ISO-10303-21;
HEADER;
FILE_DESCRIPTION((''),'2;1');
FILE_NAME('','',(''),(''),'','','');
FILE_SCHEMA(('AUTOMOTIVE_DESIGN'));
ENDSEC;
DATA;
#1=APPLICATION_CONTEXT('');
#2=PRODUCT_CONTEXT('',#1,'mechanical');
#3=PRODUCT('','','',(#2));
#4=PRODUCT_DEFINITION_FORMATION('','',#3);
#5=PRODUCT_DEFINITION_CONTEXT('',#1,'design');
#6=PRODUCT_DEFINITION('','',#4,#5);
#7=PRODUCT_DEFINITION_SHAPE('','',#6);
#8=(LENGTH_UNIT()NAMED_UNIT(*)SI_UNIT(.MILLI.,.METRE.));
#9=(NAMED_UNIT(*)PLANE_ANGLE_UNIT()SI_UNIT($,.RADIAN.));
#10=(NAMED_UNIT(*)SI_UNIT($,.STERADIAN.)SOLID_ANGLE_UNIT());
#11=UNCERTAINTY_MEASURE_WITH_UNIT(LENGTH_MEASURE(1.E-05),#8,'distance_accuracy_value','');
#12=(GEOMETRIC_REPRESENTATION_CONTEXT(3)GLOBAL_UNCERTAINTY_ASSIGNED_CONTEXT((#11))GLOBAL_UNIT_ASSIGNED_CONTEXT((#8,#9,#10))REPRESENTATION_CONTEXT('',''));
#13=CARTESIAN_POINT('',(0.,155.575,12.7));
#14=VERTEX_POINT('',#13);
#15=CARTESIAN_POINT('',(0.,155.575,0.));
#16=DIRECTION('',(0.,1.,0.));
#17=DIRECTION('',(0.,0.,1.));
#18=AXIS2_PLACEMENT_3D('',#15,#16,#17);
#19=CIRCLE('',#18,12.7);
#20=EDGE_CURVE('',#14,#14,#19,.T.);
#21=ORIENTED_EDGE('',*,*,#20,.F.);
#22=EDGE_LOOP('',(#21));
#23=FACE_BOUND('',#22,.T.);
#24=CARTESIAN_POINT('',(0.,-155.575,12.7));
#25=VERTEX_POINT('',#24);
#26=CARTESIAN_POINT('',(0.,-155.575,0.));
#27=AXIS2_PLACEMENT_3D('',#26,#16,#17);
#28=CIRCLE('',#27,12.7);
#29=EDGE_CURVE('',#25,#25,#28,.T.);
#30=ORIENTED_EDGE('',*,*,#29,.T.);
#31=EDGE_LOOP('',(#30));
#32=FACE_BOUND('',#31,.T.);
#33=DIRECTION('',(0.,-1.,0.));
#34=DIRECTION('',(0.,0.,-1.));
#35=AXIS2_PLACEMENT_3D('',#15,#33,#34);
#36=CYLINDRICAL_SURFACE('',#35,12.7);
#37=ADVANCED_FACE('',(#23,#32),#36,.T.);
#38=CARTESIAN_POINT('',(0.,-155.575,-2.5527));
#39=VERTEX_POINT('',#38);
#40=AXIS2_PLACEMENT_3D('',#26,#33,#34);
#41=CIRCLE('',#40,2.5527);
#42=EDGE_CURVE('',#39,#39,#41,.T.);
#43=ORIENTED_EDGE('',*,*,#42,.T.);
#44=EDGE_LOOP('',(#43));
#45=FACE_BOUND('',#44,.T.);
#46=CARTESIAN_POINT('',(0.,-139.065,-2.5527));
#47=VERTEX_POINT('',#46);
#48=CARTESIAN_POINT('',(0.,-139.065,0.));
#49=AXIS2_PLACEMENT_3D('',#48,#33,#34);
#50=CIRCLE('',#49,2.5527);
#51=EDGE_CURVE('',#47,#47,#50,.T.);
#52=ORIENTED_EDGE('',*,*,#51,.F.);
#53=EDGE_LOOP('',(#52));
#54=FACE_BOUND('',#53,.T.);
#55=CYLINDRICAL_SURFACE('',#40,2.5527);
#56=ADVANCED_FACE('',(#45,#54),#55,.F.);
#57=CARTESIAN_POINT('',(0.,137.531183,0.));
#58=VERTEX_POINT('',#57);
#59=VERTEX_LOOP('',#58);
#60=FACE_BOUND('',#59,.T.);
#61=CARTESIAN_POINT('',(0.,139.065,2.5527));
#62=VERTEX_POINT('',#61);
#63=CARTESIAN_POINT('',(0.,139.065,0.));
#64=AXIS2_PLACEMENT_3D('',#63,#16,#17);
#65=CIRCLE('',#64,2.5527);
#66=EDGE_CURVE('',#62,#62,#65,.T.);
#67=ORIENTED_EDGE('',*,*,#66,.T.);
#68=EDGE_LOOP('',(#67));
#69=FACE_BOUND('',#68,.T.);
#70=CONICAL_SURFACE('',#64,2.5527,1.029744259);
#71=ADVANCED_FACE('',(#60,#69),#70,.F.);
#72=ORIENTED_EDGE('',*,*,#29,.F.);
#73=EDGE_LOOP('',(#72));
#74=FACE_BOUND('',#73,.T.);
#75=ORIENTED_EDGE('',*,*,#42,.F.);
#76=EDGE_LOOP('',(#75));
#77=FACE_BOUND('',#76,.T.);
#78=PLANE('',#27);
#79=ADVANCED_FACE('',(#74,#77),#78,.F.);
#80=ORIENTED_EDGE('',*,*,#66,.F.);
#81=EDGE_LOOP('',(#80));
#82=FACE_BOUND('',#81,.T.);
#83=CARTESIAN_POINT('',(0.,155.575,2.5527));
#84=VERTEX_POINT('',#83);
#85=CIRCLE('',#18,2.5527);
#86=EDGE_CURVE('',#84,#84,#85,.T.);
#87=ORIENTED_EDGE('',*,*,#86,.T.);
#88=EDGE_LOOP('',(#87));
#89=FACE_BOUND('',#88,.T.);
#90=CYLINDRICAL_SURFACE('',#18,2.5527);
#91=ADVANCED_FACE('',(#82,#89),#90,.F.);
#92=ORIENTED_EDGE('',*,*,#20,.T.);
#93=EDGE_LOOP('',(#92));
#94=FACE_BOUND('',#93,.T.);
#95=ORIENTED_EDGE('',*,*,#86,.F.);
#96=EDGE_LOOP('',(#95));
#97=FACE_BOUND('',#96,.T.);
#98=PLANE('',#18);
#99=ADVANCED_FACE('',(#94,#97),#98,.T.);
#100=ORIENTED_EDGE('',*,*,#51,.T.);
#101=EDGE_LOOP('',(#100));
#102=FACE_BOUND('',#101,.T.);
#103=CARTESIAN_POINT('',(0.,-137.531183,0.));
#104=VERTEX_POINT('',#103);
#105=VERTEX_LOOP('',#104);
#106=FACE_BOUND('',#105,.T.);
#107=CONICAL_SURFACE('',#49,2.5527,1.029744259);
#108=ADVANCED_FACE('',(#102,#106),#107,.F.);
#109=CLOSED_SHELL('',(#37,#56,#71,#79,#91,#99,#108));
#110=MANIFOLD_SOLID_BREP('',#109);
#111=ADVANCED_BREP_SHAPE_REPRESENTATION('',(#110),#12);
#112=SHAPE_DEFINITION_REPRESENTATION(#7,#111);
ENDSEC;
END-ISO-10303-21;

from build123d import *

# Parameters (mm, degrees)
SKETCH1_R                             = 12.7
BOSS_EXTRUDE1_DEPTH                   = 155.575
F_1_4_20_TAPPED_HOLE1_D               = 5.1054
F_1_4_20_TAPPED_HOLE1_DEPTH           = 16.51
F_1_4_20_TAPPED_HOLE1_TIP             = 1.533816902
F_1_4_20_TAPPED_HOLE1_ON_FACE_2_D     = 5.1054
F_1_4_20_TAPPED_HOLE1_ON_FACE_2_DEPTH = 16.51
F_1_4_20_TAPPED_HOLE1_ON_FACE_2_TIP   = 1.533816902


with BuildPart() as part:
    # Sketch1 → Boss-Extrude1 (new, symmetric)
    with BuildSketch(Plane(origin=(0, 0, 0), x_dir=(1, 0, 0), z_dir=(0, 1, 0))):
        with Locations(Location((0, 0, 0), (0, 0, 270))):
            Circle(SKETCH1_R)
    extrude(amount=BOSS_EXTRUDE1_DEPTH, both=True)

    # 1/4-20 Tapped Hole1
    with Locations(Plane.ZX.offset(155.575)):
        with Locations((0, 0)):
            Hole(F_1_4_20_TAPPED_HOLE1_D / 2, depth=F_1_4_20_TAPPED_HOLE1_DEPTH)
            with Locations((0, 0, -(F_1_4_20_TAPPED_HOLE1_DEPTH + F_1_4_20_TAPPED_HOLE1_TIP / 2))):  # 118° drill point
                Cone(0, F_1_4_20_TAPPED_HOLE1_D / 2, F_1_4_20_TAPPED_HOLE1_TIP, mode=Mode.SUBTRACT)

    # 1/4-20 Tapped Hole1 on face 2
    with Locations(Plane(origin=(0, -155.575, 0), x_dir=(0, 0, -1), z_dir=(0, -1, 0))):
        with Locations((0, 0)):
            Hole(F_1_4_20_TAPPED_HOLE1_ON_FACE_2_D / 2, depth=F_1_4_20_TAPPED_HOLE1_ON_FACE_2_DEPTH)
            with Locations((0, 0, -(F_1_4_20_TAPPED_HOLE1_ON_FACE_2_DEPTH + F_1_4_20_TAPPED_HOLE1_ON_FACE_2_TIP / 2))):  # 118° drill point
                Cone(0, F_1_4_20_TAPPED_HOLE1_ON_FACE_2_D / 2, F_1_4_20_TAPPED_HOLE1_ON_FACE_2_TIP, mode=Mode.SUBTRACT)


solid = part.part
